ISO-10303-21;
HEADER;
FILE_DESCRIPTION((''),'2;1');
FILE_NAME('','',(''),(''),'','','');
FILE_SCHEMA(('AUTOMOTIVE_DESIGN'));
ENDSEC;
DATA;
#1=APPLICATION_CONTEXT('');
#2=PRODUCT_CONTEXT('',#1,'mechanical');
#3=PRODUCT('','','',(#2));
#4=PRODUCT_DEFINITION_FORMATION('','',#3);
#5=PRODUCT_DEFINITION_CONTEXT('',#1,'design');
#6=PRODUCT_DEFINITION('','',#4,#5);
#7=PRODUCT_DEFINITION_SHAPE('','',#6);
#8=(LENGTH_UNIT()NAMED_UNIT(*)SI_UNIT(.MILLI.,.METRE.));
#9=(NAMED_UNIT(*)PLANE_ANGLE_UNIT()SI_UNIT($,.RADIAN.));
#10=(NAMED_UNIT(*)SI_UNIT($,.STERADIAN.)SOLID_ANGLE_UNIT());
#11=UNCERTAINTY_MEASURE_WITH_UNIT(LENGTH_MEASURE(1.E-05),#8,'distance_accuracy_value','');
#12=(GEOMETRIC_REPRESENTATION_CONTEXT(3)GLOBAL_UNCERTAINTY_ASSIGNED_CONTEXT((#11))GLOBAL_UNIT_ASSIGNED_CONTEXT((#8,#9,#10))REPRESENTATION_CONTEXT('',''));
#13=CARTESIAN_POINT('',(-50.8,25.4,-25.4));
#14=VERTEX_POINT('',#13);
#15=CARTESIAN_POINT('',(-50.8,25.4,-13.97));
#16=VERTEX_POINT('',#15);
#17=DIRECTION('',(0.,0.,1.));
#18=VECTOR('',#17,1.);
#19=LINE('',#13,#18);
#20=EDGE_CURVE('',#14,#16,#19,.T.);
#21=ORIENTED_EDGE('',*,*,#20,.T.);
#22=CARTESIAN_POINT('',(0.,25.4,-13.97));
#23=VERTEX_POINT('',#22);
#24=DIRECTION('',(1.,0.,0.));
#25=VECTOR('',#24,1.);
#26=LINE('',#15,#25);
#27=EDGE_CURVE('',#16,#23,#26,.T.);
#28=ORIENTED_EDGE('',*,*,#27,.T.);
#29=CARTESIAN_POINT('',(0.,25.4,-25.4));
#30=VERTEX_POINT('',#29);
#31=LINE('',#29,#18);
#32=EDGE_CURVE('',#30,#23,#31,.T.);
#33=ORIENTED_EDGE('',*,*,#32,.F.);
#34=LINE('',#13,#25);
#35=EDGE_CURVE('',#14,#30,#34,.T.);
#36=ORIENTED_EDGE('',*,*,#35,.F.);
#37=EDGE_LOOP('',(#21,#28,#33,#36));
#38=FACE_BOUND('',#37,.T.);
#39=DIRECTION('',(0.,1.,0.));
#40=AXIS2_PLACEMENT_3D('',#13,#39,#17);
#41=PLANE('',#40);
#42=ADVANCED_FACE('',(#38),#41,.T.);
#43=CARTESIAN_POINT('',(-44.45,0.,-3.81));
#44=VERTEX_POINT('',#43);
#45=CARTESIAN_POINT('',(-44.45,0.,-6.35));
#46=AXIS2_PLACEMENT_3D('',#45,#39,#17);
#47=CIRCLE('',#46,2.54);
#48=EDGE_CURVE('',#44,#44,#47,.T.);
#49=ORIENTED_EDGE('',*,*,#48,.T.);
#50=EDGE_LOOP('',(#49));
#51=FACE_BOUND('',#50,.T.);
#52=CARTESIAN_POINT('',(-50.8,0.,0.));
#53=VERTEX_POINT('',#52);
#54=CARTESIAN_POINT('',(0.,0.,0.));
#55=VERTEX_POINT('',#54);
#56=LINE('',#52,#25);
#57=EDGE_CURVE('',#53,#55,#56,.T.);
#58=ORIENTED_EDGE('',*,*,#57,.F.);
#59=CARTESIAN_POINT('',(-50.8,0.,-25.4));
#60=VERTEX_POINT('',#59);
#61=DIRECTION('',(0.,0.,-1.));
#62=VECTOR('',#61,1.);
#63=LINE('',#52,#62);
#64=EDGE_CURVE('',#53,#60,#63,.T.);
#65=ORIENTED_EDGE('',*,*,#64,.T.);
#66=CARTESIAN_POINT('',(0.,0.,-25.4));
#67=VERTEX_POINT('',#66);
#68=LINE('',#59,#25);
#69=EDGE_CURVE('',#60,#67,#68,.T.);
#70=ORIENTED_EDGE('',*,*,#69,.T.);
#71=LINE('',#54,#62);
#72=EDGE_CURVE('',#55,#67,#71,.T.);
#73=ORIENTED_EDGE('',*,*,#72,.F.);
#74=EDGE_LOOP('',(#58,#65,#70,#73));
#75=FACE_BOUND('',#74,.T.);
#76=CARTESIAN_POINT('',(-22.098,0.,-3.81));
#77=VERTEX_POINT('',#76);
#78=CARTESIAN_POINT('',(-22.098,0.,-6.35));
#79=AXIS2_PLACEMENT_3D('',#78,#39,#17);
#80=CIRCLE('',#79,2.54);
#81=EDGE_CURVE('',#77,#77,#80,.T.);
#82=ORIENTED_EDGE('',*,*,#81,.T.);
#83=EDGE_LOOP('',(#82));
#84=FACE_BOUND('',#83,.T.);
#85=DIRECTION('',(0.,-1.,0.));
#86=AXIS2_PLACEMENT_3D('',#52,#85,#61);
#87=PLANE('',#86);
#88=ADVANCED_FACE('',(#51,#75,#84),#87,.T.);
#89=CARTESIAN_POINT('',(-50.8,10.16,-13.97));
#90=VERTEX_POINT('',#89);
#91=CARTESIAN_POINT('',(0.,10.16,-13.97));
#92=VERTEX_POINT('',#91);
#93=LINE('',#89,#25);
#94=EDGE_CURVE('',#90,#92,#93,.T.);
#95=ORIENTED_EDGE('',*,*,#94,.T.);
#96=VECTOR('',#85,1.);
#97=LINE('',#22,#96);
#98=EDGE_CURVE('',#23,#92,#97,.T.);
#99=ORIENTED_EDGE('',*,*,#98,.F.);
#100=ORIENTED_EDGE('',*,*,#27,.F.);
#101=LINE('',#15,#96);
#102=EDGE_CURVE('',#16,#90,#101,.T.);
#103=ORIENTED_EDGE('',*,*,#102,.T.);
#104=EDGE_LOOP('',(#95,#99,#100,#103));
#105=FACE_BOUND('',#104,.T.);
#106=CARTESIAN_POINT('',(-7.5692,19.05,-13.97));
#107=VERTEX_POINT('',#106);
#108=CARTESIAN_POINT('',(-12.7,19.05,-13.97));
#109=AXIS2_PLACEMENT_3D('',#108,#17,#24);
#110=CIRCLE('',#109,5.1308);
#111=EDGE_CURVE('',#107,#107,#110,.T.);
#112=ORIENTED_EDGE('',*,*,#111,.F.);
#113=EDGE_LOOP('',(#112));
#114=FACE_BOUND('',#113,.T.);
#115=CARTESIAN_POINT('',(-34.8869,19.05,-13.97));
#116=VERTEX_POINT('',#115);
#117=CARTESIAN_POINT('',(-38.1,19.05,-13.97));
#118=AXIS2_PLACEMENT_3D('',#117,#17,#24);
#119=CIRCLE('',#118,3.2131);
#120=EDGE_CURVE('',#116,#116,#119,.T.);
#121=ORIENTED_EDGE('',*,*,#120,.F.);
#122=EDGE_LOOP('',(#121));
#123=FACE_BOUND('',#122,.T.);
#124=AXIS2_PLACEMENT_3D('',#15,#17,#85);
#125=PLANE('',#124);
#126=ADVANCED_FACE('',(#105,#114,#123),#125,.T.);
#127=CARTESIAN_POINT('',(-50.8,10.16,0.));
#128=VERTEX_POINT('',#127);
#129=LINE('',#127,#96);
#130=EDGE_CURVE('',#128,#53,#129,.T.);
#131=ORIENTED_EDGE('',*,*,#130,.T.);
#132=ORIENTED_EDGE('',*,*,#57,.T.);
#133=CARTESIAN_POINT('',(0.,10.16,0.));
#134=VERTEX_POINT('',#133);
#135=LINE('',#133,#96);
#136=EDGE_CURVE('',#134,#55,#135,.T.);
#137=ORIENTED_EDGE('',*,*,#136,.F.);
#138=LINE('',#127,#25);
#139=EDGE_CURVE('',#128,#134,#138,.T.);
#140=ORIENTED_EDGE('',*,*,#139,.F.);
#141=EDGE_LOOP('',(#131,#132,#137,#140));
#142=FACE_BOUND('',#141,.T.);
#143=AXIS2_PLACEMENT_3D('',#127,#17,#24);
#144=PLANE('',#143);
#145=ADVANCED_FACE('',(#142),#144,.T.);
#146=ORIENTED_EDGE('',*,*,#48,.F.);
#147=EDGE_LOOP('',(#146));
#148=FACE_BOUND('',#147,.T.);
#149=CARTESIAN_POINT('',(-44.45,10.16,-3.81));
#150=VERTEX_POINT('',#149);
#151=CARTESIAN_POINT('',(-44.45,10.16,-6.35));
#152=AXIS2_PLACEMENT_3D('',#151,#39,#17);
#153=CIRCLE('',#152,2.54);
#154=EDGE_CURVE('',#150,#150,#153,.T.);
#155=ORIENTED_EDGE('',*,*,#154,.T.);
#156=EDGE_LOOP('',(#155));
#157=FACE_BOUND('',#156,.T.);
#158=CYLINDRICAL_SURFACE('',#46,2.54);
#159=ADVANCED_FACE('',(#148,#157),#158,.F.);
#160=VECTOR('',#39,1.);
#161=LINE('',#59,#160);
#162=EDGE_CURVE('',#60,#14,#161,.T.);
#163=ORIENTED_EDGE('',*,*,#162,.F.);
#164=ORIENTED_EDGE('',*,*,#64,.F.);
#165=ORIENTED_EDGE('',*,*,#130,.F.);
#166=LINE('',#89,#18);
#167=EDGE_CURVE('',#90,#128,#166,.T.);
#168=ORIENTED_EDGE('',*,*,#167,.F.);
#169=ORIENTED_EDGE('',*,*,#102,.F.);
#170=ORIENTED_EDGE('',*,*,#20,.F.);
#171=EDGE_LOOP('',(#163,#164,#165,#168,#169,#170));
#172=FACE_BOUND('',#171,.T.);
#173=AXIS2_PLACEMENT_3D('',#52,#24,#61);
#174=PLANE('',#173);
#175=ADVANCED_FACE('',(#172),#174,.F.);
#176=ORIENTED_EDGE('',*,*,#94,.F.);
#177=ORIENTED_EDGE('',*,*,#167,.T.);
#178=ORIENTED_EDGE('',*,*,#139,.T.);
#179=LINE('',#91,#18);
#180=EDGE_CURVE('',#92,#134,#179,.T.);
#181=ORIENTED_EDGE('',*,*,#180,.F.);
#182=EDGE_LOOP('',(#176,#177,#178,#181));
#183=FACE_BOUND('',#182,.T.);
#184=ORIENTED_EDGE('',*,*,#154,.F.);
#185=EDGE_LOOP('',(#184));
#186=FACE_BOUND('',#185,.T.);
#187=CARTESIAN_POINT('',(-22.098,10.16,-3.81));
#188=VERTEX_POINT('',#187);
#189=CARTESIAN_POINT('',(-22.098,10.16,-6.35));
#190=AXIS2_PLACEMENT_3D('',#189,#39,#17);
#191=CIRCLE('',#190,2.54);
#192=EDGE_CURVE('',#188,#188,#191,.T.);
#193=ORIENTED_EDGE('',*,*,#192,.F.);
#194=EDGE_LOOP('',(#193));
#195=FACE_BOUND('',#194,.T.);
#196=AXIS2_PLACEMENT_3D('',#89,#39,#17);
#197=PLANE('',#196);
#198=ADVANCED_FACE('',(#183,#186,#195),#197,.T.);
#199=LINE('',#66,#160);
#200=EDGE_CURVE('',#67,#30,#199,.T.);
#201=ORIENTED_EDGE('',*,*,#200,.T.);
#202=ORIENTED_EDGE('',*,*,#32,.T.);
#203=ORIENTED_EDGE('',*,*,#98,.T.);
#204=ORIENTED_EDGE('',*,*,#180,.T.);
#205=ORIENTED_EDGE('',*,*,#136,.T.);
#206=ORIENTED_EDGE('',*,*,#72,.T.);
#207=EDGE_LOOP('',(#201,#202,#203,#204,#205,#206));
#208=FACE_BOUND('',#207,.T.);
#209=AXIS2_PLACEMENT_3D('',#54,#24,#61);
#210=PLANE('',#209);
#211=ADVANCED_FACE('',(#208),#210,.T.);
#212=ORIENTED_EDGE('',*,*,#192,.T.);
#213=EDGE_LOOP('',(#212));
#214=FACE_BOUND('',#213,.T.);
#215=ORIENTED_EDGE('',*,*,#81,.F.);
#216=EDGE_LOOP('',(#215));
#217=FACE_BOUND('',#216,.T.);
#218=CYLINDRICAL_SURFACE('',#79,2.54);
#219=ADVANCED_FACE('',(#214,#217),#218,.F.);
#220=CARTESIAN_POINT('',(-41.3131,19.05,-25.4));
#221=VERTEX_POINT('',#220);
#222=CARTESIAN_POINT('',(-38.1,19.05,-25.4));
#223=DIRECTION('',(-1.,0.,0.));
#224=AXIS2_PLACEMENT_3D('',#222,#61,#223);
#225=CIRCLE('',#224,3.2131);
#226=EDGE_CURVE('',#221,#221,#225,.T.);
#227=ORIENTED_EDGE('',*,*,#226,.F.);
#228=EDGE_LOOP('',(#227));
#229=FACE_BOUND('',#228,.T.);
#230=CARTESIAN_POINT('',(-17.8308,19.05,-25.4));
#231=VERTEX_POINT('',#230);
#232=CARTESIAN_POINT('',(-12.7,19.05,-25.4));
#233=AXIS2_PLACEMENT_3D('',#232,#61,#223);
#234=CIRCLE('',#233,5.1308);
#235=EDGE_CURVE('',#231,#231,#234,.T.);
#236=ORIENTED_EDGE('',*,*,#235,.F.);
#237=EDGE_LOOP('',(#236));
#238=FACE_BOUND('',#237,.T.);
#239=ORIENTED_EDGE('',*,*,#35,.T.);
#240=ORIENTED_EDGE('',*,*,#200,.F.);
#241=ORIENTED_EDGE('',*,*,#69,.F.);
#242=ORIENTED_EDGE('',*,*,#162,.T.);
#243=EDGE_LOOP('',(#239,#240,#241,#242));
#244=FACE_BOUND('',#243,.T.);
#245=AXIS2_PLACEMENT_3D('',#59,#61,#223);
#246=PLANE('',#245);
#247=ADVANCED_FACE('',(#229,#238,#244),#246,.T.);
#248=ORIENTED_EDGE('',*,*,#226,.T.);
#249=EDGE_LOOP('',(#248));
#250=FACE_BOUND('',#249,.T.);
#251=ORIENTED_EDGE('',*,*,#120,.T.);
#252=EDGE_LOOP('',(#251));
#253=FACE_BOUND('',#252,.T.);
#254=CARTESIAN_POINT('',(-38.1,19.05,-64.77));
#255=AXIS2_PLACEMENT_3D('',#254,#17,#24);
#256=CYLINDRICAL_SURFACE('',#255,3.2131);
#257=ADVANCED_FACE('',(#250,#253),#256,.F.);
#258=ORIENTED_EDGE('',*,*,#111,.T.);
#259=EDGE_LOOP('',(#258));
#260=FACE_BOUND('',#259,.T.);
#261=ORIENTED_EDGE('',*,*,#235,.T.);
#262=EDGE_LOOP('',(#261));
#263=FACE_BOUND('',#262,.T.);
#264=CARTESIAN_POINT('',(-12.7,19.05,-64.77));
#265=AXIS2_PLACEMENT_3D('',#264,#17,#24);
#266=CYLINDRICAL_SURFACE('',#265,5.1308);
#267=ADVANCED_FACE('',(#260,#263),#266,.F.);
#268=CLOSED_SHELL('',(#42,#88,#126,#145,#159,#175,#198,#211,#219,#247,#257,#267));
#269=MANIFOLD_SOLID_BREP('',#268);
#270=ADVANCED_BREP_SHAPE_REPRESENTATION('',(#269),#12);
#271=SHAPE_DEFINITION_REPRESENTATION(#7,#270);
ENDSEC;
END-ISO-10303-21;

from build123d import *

# Parameters (mm, degrees)
BOSS_EXTRUDE1_DEPTH = 50.8
SKETCH4_R           = 2.54
CUT_EXTRUDE1_DEPTH  = 11.16
SKETCH5_R           = 3.2131
SKETCH5_R_2         = 5.1308
CUT_EXTRUDE2_DEPTH  = 50.8


with BuildPart() as part:
    # Sketch3 → Boss-Extrude1 (new body)
    with BuildSketch(Plane(origin=(0, 0, 0), x_dir=(0, 0, -1), z_dir=(1, 0, 0))):
        Polygon((0, 0), (25.4, 0), (25.4, 25.4), (13.97, 25.4), (13.97, 10.16), (0, 10.16), align=None)
    extrude(amount=-BOSS_EXTRUDE1_DEPTH)

    # Sketch4 → Cut-Extrude1 (cut, through all)
    with BuildSketch(Plane(origin=(0, 10.16, 0), x_dir=(1, 0, 0), z_dir=(0, 1, 0))):
        with Locations((-44.45, 6.35)):
            Circle(SKETCH4_R)
        with Locations((-22.098, 6.35)):
            Circle(SKETCH4_R)
    extrude(amount=-CUT_EXTRUDE1_DEPTH, mode=Mode.SUBTRACT)

    # Sketch5 → Cut-Extrude2 (cut)
    with BuildSketch(Plane.XY.offset(-13.97)):
        with Locations((-38.1, 19.05)):
            Circle(SKETCH5_R)
        with Locations((-12.7, 19.05)):
            Circle(SKETCH5_R_2)
    extrude(amount=-CUT_EXTRUDE2_DEPTH, mode=Mode.SUBTRACT)


solid = part.part
